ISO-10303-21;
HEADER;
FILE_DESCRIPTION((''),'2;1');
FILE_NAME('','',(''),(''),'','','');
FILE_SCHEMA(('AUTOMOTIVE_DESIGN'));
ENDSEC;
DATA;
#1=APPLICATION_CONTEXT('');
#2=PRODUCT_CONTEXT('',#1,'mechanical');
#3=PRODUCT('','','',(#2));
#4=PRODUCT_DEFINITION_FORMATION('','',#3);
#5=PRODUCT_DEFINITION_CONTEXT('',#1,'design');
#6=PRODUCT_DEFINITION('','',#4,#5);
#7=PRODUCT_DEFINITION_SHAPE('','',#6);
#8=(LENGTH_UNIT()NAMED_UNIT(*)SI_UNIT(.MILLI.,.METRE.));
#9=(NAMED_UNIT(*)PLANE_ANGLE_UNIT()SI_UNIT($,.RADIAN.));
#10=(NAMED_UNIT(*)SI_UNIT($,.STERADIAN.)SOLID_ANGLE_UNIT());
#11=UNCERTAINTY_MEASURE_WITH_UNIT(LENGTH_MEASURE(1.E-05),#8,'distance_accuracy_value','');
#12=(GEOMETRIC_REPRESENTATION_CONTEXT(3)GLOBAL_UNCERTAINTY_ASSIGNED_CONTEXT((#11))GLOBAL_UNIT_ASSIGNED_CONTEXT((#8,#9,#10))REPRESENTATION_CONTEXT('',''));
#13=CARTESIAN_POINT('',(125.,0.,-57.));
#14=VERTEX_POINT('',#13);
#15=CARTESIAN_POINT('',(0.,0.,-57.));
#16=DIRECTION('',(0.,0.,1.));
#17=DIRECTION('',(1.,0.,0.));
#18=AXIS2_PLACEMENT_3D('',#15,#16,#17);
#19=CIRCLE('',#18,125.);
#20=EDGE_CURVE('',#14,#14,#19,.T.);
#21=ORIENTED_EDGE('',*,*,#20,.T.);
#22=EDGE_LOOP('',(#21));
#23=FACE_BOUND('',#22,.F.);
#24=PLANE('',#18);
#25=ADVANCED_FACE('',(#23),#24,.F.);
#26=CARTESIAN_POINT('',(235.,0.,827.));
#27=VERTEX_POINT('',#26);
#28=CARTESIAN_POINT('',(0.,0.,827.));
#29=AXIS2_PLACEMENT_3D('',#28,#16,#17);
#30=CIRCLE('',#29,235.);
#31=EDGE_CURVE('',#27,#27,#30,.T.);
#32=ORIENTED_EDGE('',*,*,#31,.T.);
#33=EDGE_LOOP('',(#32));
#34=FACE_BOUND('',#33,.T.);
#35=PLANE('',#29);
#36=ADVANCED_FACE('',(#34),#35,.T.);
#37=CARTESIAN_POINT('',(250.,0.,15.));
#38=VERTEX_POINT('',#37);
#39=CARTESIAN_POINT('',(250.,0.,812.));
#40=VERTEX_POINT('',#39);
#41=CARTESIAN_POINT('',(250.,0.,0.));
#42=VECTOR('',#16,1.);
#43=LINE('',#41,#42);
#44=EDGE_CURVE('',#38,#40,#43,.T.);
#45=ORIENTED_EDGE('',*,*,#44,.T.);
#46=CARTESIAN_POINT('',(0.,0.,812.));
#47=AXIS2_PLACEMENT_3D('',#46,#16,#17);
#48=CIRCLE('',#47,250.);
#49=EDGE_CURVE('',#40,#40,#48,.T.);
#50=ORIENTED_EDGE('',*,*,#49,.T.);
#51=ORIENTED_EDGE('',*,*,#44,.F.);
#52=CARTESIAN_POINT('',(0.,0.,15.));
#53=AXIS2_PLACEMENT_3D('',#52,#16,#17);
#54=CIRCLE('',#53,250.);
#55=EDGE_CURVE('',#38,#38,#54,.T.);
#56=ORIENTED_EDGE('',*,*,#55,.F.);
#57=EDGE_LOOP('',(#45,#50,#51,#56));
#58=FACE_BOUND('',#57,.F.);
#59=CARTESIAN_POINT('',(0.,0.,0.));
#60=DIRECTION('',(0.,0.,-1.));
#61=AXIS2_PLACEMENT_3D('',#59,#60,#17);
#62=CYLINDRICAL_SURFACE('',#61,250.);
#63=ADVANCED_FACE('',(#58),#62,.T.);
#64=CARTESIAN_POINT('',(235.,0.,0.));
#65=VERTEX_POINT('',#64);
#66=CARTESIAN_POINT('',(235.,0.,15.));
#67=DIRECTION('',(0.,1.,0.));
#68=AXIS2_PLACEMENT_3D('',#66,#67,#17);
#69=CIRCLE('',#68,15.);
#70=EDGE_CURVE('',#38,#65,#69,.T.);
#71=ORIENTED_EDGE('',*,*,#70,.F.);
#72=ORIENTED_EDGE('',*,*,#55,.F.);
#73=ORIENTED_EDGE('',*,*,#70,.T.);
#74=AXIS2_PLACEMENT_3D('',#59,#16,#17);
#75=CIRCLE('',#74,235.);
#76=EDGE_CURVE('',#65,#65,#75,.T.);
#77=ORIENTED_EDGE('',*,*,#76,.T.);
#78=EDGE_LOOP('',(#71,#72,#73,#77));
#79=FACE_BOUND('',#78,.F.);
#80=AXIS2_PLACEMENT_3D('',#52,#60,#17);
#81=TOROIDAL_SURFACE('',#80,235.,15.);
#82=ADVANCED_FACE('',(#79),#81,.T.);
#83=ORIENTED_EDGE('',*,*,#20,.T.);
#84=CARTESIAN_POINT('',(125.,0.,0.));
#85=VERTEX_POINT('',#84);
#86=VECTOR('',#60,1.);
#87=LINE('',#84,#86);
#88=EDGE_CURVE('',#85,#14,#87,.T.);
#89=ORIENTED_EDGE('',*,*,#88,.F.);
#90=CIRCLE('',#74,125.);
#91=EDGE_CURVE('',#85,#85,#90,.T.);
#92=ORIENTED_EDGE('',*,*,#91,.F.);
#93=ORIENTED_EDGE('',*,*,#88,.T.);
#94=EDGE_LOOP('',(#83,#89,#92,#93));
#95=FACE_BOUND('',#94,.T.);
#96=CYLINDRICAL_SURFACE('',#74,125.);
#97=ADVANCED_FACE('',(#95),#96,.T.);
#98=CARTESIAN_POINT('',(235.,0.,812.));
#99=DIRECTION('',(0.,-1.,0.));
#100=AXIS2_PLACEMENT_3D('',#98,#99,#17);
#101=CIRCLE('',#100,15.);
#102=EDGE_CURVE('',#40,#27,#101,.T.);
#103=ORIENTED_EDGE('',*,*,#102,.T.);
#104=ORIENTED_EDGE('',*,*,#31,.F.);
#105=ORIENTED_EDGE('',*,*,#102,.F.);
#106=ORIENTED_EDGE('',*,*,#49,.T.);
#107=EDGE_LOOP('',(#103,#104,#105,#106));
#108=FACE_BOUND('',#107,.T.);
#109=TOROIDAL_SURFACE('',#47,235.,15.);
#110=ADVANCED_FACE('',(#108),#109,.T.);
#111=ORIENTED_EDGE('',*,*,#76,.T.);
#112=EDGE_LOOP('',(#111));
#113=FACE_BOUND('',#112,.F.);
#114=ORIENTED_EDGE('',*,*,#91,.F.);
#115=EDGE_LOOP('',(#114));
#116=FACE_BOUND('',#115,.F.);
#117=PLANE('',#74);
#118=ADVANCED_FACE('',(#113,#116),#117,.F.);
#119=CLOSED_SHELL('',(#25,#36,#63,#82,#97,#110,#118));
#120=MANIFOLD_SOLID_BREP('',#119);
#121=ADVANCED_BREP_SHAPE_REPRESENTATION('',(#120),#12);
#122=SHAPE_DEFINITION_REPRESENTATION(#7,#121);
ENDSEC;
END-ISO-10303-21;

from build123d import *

# Parameters (mm, degrees)
F0_R     = 250
F0_R_2   = 125
F1_DEPTH = 827
F2_DEPTH = 57
F3_R     = 15


with BuildPart() as f1:
    # F0 (on Top) → F1 (new body)
    with BuildSketch(Plane.XY):
        Circle(F0_R)
        Circle(F0_R_2, mode=Mode.SUBTRACT)
        Circle(F0_R_2)
    extrude(amount=F1_DEPTH)

    # F0 (on Top) → F2 (join)
    with BuildSketch(Plane.XY):
        Circle(F0_R_2)
    extrude(amount=-F2_DEPTH)

    # F3
    f3_edges = [f1.edges().sort_by_distance(p)[0] for p in [
        (-250, 0, 827),
        (-250, 0, 0),
    ]]
    fillet(f3_edges, radius=F3_R)


solid = f1.part
